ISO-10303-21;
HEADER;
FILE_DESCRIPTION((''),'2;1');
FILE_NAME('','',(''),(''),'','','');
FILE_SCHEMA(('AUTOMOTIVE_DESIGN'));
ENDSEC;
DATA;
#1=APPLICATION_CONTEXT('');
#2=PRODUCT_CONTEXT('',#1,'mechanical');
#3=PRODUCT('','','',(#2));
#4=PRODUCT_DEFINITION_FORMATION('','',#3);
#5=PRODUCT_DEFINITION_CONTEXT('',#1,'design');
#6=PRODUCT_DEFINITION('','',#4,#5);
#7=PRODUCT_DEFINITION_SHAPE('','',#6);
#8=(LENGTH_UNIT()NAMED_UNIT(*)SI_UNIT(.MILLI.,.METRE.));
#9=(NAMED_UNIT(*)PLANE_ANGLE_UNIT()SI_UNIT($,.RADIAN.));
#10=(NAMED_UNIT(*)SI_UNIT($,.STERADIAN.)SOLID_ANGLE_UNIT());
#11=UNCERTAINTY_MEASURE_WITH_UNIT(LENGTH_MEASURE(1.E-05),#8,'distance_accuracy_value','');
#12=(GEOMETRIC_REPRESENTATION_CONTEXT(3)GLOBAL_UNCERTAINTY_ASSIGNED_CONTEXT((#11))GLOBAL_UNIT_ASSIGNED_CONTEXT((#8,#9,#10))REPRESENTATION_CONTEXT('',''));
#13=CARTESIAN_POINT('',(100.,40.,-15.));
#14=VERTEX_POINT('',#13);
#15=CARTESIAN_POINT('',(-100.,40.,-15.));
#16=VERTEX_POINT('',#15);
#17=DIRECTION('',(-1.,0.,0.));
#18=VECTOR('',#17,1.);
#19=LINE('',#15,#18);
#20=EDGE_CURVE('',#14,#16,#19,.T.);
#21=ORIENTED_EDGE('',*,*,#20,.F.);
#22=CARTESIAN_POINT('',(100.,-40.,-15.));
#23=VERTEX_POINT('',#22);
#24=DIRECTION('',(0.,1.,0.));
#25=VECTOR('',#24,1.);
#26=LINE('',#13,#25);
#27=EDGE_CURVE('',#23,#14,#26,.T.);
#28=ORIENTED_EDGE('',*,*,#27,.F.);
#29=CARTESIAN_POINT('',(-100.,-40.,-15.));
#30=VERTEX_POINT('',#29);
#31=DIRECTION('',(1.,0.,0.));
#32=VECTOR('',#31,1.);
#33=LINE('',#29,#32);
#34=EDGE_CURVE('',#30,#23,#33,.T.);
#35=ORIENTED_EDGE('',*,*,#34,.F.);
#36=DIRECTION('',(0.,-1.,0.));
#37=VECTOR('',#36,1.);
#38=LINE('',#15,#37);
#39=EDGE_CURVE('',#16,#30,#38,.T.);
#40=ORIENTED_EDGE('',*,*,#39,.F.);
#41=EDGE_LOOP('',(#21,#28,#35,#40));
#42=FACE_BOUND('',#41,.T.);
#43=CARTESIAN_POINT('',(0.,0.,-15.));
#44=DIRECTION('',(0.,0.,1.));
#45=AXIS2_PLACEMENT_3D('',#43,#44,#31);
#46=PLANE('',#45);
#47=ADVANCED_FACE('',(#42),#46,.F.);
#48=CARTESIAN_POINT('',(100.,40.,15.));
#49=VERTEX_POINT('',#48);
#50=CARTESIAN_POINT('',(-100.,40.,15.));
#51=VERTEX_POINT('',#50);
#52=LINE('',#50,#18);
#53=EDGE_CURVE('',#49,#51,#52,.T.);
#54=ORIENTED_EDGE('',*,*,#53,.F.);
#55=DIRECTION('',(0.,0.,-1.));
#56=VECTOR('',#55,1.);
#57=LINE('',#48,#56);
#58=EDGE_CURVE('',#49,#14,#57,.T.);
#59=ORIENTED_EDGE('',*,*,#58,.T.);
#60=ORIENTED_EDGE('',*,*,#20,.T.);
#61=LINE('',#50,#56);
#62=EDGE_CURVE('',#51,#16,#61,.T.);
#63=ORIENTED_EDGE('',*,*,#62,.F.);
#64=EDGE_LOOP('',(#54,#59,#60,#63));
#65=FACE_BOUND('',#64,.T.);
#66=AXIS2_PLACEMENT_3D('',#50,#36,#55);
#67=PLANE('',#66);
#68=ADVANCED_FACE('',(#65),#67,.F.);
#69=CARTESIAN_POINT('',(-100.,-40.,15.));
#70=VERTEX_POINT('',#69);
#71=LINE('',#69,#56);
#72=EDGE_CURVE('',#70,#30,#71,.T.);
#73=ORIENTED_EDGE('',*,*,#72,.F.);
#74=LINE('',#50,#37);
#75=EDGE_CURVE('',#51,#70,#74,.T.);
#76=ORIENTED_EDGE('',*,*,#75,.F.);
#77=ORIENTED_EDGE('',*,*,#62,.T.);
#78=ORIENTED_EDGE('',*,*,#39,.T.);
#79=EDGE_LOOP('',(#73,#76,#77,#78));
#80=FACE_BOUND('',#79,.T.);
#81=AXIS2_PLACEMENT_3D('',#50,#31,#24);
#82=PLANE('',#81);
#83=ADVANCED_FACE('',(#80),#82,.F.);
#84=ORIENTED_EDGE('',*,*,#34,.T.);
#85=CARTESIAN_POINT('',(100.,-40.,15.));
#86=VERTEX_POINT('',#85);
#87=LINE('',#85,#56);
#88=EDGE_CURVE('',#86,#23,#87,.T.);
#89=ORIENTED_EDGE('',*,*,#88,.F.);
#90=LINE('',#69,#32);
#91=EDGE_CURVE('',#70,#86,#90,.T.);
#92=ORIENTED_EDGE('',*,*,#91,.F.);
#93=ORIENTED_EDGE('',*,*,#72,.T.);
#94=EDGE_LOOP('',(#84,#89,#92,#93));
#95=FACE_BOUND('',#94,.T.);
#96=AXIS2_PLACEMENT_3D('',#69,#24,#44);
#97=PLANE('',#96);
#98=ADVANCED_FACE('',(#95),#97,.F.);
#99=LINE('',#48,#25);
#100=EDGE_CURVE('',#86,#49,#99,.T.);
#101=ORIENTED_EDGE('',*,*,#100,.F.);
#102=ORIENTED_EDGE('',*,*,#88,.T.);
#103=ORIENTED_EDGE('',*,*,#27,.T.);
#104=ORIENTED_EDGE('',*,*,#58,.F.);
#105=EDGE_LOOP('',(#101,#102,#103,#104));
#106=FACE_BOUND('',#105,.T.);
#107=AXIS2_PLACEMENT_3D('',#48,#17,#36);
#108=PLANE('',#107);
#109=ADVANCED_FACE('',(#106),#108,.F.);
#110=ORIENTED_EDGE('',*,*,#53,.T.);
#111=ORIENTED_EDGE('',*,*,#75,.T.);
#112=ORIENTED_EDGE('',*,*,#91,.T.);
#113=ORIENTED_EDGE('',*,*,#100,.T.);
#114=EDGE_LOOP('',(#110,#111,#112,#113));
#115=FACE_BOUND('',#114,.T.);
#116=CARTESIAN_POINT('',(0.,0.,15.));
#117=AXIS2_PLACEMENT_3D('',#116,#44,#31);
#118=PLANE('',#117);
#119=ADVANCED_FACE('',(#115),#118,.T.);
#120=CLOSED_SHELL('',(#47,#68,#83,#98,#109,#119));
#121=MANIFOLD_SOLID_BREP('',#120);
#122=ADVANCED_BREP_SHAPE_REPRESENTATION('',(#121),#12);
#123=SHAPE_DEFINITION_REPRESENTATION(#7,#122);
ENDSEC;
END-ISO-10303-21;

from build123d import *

# Parameters (mm, degrees)
SKETCH_1_W      = 200
SKETCH_1_H      = 80
EXTRUDE_1_DEPTH = 15


with BuildPart() as part:
    # 草图1 → 凸台-拉伸1 (new, symmetric)
    with BuildSketch(Plane.XY):
        Rectangle(SKETCH_1_W, SKETCH_1_H)
    extrude(amount=EXTRUDE_1_DEPTH, both=True)


solid = part.part
